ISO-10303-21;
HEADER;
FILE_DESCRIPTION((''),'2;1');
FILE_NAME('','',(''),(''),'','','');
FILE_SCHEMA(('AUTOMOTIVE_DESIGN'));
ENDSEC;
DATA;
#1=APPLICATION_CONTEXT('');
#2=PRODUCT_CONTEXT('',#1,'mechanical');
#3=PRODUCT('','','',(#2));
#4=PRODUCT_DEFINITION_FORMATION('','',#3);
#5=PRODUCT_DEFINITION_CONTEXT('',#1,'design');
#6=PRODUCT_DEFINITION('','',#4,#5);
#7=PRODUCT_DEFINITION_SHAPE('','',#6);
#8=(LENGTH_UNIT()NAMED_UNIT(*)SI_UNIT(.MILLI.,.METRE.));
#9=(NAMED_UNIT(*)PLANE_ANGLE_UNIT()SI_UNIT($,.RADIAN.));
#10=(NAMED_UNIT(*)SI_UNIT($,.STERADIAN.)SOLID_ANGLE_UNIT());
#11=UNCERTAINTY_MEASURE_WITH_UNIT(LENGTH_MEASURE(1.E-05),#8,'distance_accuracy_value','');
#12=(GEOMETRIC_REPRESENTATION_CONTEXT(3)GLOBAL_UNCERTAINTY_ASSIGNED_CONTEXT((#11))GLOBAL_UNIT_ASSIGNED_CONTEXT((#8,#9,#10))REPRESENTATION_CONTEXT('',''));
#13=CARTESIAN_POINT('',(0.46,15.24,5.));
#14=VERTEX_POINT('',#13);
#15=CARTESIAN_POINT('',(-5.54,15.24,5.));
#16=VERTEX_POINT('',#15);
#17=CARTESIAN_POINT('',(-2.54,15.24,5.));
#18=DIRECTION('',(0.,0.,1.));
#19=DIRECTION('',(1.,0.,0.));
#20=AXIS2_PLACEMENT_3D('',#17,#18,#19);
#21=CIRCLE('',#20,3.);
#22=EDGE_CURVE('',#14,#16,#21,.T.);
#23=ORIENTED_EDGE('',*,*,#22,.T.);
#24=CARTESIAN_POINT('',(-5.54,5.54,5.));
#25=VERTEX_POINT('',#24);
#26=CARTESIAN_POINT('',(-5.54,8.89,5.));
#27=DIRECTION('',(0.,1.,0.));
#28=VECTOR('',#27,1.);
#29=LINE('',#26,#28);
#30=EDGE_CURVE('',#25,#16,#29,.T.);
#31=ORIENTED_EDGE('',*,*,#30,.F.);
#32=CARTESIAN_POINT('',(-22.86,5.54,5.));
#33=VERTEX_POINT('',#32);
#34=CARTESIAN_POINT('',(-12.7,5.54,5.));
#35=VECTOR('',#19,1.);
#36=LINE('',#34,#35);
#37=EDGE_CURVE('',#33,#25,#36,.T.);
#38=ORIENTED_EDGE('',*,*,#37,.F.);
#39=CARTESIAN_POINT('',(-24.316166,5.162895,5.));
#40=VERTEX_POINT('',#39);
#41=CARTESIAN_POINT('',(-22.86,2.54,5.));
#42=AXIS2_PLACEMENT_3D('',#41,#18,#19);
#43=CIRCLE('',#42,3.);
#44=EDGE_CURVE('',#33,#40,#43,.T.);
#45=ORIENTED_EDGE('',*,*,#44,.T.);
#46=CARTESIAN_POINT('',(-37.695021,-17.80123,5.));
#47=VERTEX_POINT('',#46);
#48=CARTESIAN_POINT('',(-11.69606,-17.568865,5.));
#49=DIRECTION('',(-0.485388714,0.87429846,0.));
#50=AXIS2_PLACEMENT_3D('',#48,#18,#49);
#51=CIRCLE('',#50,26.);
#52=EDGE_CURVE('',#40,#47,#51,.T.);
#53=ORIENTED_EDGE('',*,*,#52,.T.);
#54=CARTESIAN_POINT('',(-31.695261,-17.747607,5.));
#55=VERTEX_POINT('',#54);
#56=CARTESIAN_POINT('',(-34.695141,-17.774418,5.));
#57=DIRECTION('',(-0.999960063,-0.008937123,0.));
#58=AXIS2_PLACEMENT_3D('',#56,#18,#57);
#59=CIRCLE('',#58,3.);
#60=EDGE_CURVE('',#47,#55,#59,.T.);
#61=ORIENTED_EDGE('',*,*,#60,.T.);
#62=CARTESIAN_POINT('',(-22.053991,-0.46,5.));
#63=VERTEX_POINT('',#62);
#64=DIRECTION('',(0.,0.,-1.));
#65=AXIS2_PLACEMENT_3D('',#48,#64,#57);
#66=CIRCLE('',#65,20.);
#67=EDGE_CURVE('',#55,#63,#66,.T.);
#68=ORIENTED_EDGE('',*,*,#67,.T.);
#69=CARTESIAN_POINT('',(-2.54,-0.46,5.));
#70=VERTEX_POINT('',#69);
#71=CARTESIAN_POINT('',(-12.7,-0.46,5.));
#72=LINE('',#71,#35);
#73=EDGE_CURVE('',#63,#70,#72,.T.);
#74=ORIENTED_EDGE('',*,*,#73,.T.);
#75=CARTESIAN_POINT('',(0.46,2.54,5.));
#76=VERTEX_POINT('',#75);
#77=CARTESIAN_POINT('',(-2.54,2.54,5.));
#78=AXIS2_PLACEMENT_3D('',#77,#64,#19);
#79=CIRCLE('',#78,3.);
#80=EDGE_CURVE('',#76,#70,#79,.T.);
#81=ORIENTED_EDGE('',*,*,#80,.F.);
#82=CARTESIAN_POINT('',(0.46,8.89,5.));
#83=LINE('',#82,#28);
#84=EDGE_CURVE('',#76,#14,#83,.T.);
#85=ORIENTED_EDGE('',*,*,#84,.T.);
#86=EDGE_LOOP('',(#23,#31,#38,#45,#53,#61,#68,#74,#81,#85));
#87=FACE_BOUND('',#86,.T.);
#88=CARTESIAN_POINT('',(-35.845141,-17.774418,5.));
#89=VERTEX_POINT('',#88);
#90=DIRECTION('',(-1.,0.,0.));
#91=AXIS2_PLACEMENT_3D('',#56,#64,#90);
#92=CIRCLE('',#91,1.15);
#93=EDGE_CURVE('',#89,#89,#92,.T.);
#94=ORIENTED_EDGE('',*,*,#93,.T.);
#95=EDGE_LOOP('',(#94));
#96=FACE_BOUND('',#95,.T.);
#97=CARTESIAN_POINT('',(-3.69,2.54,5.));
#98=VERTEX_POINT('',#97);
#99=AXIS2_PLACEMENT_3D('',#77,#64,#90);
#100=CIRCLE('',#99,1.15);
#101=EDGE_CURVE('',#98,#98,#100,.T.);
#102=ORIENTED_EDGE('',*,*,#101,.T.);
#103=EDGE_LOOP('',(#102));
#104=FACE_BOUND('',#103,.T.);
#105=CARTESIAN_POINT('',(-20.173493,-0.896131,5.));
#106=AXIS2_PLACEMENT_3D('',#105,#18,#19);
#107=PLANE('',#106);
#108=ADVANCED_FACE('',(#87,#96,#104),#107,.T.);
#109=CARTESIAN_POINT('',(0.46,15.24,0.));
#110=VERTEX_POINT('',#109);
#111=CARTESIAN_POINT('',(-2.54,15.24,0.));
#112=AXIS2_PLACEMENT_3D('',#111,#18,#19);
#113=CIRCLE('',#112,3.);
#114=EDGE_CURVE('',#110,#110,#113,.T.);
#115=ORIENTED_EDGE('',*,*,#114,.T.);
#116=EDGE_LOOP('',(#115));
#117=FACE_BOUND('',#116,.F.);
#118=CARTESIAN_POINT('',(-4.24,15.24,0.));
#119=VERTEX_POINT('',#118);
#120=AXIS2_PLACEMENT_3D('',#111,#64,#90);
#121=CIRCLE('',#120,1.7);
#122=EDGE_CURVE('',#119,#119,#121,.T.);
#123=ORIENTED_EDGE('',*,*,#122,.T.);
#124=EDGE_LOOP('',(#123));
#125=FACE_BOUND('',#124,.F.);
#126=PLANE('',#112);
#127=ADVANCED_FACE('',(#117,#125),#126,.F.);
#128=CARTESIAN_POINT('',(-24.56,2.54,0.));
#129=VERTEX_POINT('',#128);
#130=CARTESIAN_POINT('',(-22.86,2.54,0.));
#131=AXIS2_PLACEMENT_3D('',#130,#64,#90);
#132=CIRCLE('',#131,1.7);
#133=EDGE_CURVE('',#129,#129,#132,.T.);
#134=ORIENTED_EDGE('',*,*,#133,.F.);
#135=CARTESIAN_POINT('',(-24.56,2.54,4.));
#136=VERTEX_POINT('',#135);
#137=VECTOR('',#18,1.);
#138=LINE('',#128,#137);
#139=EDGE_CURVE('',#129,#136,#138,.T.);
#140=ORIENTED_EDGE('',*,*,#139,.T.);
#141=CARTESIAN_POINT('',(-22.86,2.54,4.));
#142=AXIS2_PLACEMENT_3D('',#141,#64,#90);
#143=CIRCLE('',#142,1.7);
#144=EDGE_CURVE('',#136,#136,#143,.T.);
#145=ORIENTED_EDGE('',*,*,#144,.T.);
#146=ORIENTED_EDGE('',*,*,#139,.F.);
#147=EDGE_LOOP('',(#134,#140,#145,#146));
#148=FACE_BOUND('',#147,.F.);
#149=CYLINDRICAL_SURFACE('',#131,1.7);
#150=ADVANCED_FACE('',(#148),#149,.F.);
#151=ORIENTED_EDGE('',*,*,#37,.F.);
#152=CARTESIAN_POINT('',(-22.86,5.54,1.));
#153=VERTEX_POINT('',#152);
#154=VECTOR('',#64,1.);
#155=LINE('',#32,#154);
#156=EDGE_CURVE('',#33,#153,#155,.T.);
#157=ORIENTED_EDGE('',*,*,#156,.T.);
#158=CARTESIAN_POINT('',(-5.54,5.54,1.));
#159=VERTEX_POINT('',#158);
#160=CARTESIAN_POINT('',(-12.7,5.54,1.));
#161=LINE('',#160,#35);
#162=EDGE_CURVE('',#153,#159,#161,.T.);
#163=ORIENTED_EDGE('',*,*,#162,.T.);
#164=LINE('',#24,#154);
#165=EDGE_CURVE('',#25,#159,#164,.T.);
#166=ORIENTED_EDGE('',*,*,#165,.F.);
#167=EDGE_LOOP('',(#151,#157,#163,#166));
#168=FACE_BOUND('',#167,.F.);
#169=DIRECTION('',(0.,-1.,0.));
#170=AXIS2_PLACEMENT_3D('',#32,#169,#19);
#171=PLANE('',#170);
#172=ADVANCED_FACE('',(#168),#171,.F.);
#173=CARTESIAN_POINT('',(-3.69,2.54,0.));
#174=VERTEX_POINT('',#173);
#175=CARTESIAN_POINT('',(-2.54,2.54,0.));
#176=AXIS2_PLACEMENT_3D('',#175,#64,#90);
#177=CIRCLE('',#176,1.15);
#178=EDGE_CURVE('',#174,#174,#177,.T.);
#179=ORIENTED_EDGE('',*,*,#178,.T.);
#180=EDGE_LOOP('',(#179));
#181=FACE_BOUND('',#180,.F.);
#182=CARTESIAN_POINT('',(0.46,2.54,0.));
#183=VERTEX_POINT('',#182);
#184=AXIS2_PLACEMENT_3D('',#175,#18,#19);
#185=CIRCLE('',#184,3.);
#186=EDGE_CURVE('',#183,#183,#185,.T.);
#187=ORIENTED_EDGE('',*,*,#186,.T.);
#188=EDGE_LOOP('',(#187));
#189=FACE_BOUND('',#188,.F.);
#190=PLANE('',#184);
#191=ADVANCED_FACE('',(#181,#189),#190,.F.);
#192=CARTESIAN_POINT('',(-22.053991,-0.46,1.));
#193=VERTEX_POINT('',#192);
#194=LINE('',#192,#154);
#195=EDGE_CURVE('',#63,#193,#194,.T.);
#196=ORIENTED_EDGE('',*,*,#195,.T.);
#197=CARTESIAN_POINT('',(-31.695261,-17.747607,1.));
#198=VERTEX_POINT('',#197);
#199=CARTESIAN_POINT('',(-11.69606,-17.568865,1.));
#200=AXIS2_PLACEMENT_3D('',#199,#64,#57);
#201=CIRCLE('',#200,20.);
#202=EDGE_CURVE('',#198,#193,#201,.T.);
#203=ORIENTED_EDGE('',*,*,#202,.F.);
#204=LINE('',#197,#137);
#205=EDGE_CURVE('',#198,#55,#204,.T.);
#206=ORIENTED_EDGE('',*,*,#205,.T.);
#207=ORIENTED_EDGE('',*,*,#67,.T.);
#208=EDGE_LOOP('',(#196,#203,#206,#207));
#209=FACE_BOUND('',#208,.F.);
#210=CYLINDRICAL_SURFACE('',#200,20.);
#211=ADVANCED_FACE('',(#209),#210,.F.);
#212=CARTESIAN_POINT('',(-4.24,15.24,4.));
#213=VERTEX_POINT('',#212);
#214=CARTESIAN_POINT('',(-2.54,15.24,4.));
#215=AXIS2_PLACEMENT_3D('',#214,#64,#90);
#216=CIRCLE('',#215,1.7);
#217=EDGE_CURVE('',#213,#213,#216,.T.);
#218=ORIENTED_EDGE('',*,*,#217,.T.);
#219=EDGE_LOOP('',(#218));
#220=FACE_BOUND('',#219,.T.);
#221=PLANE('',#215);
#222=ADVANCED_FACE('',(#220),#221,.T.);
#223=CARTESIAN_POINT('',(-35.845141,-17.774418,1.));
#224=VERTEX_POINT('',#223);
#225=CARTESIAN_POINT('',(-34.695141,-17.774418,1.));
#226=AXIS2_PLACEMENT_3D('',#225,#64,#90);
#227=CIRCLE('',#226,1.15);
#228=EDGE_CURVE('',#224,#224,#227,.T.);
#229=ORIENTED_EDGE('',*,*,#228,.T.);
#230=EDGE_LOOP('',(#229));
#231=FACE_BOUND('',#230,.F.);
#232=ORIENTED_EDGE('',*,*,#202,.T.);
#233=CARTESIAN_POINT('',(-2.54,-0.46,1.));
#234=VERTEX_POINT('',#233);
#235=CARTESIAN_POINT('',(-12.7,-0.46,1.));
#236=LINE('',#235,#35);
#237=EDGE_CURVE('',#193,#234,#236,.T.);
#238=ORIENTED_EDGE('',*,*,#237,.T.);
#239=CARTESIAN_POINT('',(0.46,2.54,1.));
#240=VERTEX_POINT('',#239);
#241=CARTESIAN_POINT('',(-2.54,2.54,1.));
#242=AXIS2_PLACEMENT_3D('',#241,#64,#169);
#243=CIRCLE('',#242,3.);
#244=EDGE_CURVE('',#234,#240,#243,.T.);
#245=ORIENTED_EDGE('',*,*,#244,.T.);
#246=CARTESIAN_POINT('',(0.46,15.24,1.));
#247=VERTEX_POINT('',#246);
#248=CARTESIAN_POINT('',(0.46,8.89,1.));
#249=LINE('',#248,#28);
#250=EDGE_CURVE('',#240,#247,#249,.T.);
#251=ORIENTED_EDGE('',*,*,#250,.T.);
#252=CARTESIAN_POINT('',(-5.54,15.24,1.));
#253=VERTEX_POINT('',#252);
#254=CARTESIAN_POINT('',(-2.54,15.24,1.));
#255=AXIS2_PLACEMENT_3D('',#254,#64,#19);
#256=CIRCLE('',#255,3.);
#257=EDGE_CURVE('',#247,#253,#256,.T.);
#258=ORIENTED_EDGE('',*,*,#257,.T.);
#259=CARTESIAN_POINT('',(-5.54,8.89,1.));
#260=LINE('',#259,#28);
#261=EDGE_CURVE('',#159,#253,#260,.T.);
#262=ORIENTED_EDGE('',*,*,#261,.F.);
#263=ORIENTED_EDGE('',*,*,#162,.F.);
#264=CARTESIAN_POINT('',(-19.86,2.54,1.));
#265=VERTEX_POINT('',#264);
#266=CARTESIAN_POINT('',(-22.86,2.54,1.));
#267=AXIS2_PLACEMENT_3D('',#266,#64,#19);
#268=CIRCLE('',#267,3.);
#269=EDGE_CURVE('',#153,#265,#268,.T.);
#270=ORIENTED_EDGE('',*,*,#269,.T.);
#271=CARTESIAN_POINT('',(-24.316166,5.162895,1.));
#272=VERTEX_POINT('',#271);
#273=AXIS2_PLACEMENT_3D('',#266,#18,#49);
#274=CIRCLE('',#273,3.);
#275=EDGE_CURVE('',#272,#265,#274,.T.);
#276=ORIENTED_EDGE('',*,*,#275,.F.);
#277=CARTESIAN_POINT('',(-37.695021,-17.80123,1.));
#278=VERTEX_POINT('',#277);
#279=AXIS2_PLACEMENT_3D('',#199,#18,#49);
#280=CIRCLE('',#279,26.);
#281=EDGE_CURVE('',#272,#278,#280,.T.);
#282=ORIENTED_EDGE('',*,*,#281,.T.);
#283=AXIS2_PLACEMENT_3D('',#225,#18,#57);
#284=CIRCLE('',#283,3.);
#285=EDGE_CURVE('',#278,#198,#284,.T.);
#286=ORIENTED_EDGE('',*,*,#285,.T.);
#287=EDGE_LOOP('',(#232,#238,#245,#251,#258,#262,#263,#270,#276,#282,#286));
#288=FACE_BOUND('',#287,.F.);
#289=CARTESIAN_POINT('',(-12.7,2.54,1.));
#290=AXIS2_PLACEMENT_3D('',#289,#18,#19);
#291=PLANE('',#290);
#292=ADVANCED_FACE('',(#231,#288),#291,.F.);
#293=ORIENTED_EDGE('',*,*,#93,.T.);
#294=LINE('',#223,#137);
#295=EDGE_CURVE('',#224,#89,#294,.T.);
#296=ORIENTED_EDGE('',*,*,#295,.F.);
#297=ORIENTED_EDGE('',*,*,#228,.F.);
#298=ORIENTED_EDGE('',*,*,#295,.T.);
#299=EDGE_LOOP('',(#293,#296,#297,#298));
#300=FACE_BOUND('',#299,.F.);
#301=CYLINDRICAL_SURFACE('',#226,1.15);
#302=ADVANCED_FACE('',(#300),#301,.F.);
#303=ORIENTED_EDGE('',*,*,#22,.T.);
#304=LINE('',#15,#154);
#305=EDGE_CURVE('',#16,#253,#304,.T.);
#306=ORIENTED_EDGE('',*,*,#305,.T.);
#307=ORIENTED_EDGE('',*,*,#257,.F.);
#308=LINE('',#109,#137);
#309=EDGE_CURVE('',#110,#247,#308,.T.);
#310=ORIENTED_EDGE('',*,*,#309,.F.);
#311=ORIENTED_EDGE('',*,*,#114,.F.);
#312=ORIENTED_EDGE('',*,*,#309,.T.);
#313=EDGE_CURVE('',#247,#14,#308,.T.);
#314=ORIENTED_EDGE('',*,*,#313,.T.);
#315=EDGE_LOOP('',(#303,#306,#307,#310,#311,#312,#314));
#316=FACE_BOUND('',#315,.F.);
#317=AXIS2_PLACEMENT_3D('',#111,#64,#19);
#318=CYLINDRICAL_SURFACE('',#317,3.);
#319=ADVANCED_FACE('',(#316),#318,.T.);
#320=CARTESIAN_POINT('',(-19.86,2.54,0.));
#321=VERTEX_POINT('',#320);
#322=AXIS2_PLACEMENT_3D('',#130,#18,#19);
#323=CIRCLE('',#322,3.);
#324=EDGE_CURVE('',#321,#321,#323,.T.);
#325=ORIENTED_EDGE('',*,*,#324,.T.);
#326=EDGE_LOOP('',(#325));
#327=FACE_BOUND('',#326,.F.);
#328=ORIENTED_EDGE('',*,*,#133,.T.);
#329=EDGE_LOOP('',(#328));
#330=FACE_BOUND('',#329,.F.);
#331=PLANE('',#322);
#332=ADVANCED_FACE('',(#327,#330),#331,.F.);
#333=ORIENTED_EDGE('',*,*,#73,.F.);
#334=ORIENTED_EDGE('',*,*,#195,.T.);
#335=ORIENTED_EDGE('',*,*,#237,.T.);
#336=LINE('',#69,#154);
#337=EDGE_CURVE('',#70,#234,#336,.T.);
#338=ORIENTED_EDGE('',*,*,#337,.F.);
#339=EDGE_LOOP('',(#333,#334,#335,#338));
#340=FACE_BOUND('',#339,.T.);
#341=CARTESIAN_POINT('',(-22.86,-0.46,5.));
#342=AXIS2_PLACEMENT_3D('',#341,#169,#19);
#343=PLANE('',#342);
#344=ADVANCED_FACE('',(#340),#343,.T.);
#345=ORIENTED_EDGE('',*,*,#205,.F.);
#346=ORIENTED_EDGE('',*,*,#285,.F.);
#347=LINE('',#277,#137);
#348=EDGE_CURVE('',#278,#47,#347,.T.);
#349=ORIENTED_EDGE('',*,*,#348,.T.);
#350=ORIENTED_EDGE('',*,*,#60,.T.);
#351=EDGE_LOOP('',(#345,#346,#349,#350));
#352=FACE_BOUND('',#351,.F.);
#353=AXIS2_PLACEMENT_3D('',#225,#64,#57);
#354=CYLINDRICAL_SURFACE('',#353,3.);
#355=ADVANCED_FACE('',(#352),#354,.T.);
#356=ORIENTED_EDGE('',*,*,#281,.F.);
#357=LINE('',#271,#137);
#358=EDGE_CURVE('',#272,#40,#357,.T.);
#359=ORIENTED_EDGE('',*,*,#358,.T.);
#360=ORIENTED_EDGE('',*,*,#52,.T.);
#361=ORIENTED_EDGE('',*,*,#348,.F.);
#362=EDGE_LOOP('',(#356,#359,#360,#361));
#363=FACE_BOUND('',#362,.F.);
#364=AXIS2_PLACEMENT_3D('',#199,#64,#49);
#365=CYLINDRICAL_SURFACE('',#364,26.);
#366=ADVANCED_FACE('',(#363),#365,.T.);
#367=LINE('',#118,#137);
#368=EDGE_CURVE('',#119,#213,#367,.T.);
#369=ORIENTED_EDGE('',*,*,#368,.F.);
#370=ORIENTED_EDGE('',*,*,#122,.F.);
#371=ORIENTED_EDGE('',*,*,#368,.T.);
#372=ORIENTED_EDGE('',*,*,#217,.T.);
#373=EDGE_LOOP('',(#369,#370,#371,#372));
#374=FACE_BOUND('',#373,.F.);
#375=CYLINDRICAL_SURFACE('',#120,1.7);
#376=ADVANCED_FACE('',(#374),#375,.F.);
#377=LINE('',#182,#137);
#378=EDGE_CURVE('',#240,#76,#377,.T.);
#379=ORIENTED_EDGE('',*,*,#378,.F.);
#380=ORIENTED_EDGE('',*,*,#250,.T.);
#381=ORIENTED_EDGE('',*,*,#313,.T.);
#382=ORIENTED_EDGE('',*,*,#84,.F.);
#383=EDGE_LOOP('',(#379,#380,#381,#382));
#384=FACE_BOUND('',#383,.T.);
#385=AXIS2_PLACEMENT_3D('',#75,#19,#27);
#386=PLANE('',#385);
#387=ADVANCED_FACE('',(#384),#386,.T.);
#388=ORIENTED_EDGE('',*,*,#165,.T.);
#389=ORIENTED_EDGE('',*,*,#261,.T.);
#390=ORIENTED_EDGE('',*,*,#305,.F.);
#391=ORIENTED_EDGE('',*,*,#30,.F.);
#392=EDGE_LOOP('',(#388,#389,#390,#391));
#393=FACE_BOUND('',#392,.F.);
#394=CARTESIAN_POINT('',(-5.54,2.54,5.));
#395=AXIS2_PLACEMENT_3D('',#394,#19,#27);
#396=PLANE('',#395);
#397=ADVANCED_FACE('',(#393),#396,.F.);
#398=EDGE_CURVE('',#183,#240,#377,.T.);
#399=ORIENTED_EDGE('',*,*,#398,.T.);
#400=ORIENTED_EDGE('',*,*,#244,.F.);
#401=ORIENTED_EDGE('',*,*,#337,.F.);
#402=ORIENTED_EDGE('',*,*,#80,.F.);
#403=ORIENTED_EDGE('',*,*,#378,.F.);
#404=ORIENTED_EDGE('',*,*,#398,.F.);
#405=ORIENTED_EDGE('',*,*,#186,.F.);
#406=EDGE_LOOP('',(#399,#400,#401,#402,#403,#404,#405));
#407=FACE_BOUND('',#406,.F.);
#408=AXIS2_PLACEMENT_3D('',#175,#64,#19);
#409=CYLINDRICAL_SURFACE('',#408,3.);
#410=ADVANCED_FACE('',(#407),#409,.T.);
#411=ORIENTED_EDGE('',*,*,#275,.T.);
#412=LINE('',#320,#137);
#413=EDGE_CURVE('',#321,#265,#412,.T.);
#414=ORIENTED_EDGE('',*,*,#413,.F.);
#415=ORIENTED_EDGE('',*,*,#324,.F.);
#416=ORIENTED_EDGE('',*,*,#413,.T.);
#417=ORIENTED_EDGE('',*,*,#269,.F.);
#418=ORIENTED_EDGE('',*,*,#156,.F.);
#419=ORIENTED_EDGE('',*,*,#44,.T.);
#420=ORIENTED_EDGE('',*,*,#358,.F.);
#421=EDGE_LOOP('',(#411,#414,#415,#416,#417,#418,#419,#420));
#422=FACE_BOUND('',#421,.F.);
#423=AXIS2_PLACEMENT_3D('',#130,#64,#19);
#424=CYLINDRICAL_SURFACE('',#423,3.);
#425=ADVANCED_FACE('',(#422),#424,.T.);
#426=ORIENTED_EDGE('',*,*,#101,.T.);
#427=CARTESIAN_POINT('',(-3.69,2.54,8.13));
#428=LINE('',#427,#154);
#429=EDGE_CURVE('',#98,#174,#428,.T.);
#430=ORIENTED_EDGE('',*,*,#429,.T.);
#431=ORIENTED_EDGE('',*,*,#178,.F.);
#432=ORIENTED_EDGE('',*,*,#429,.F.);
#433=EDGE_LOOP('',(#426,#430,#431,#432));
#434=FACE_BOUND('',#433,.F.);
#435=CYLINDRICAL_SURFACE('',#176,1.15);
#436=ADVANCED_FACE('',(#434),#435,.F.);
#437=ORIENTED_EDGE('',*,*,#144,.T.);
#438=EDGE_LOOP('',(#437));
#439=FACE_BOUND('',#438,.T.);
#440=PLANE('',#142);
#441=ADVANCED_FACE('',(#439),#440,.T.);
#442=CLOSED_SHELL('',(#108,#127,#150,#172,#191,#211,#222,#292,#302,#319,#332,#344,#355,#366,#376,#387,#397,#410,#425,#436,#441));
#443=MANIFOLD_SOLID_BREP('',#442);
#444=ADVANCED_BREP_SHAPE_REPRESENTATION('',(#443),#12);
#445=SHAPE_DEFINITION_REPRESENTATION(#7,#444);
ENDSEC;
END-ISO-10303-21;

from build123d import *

# Parameters (mm, degrees)
SKIZZE1_R                         = 3
AUFSATZ_LINEAR_AUSTRAGEN1_DEPTH   = 5
AUFSATZ_LINEAR_AUSTRAGEN1_2_DEPTH = 5
AUFSATZ_LINEAR_AUSTRAGEN1_3_DEPTH = 5
SKIZZE2_W                         = 6
SKIZZE2_H                         = 12.7
AUFSATZ_LINEAR_AUSTRAGEN2_DEPTH   = 4
SKIZZE3_W                         = 20.32
SKIZZE3_H                         = 6
AUFSATZ_LINEAR_AUSTRAGEN3_DEPTH   = 4
AUFSATZ_LINEAR_AUSTRAGEN6_DEPTH   = 4
SKIZZE10_R                        = 3
AUFSATZ_LINEAR_AUSTRAGEN7_DEPTH   = 4
SKIZZE11_R                        = 1.7
SCHNITT_LINEAR_AUSTRAGEN5_DEPTH   = 4
SKIZZE12_R                        = 1.15
SCHNITT_LINEAR_AUSTRAGEN6_DEPTH   = 5
SKIZZE14_R                        = 1.15
SCHNITT_LINEAR_AUSTRAGEN8_DEPTH   = 6
SKIZZE15_R                        = 3
SKIZZE15_R_2                      = 1.15
AUFSATZ_LINEAR_AUSTRAGEN9_DEPTH   = 8.13
SKIZZE19_W                        = 52.396987113
SKIZZE19_H                        = 51.888823268
SCHNITT_LINEAR_AUSTRAGEN12_DEPTH  = 4.13


with BuildPart() as part:
    # Skizze1 → Aufsatz-Linear austragen1 (new body)
    with BuildSketch(Plane.XY):
        with Locations((-2.54, 2.54)):
            Circle(SKIZZE1_R)
    extrude(amount=AUFSATZ_LINEAR_AUSTRAGEN1_DEPTH)



with BuildPart() as body_2:
    # Skizze1 → Aufsatz-Linear austragen1 2 (new body)
    with BuildSketch(Plane.XY):
        with Locations((-2.54, 15.24)):
            Circle(SKIZZE1_R)
    extrude(amount=AUFSATZ_LINEAR_AUSTRAGEN1_2_DEPTH)


with BuildPart() as body_3:
    # Skizze1 → Aufsatz-Linear austragen1 3 (new body)
    with BuildSketch(Plane.XY):
        with Locations((-22.86, 2.54)):
            Circle(SKIZZE1_R)
    extrude(amount=AUFSATZ_LINEAR_AUSTRAGEN1_3_DEPTH)


with BuildPart() as part_1:
    add(part.part)

    add(body_2.part)  # Aufsatz-Linear austragen2 merges body 2
    # Skizze2 → Aufsatz-Linear austragen2 (add)
    with BuildSketch(Plane.XY.offset(5)):
        with Locations((-2.54, 8.89)):
            Rectangle(SKIZZE2_W, SKIZZE2_H)
    extrude(amount=-AUFSATZ_LINEAR_AUSTRAGEN2_DEPTH)

    # Skizze3 → Aufsatz-Linear austragen3 (add)
    with BuildSketch(Plane.XY.offset(5)):
        with Locations((-12.7, 2.54)):
            Rectangle(SKIZZE3_W, SKIZZE3_H)
    extrude(amount=-AUFSATZ_LINEAR_AUSTRAGEN3_DEPTH)


    add(body_3.part)  # Aufsatz-Linear austragen6 merges body 3
    # Skizze9 → Aufsatz-Linear austragen6 (add)
    with BuildSketch(Plane(origin=(0, 0, 1), x_dir=(-1, 0, 0), z_dir=(0, 0, -1))):
        with BuildLine():
            Line((21.403833859, -0.082895379), (24.316166141, 5.162895379))
            ThreePointArc((24.316166141, 5.162895379), (34.161496772, -4.480544132), (37.695021225, -17.801229766))
            ThreePointArc((37.695021225, -17.801229766), (34.668329668, -20.774298587), (31.695260847, -17.747607029))
            ThreePointArc((31.695260847, -17.747607029), (28.977165113, -7.500925772), (21.403833859, -0.082895379))
        make_face()
    extrude(amount=-AUFSATZ_LINEAR_AUSTRAGEN6_DEPTH)

    # Skizze10 → Aufsatz-Linear austragen7 (add)
    with BuildSketch(Plane(origin=(0, 0, 1), x_dir=(-1, 0, 0), z_dir=(0, 0, -1))):
        with Locations((34.695141036, -17.774418398)):
            Circle(SKIZZE10_R)
    extrude(amount=-AUFSATZ_LINEAR_AUSTRAGEN7_DEPTH)

    # Skizze11 → Schnitt-Linear austragen5 (cut)
    with BuildSketch(Plane(origin=(0, 0, 0), x_dir=(-1, 0, 0), z_dir=(0, 0, -1))):
        with Locations((2.54, 15.24)):
            Circle(SKIZZE11_R)
        with Locations((22.86, 2.54)):
            Circle(SKIZZE11_R)
    extrude(amount=-SCHNITT_LINEAR_AUSTRAGEN5_DEPTH, mode=Mode.SUBTRACT)

    # Skizze12 → Schnitt-Linear austragen6 (cut, through all)
    with BuildSketch(Plane(origin=(0, 0, 1), x_dir=(-1, 0, 0), z_dir=(0, 0, -1))):
        with Locations((34.695141036, -17.774418398)):
            Circle(SKIZZE12_R)
    extrude(amount=-SCHNITT_LINEAR_AUSTRAGEN6_DEPTH, mode=Mode.SUBTRACT)

    # Skizze14 → Schnitt-Linear austragen8 (cut, through all)
    with BuildSketch(Plane(origin=(0, 0, 0), x_dir=(-1, 0, 0), z_dir=(0, 0, -1))):
        with Locations((2.54, 2.54)):
            Circle(SKIZZE14_R)
    extrude(amount=-SCHNITT_LINEAR_AUSTRAGEN8_DEPTH, mode=Mode.SUBTRACT)

    # Skizze15 → Aufsatz-Linear austragen9 (add)
    with BuildSketch(Plane(origin=(0, 0, 0), x_dir=(-1, 0, 0), z_dir=(0, 0, -1))):
        with Locations((2.54, 2.54)):
            Circle(SKIZZE15_R)
        with Locations((2.54, 2.54)):
            Circle(SKIZZE15_R_2, mode=Mode.SUBTRACT)
    extrude(amount=-AUFSATZ_LINEAR_AUSTRAGEN9_DEPTH)

    # Skizze19 → Schnitt-Linear austragen12 (cut, through all)
    with BuildSketch(Plane.XY.offset(5)):
        with Locations((-20.173492866, -0.896131467)):
            Rectangle(SKIZZE19_W, SKIZZE19_H)
    extrude(amount=SCHNITT_LINEAR_AUSTRAGEN12_DEPTH, mode=Mode.SUBTRACT)


solid = part_1.part
